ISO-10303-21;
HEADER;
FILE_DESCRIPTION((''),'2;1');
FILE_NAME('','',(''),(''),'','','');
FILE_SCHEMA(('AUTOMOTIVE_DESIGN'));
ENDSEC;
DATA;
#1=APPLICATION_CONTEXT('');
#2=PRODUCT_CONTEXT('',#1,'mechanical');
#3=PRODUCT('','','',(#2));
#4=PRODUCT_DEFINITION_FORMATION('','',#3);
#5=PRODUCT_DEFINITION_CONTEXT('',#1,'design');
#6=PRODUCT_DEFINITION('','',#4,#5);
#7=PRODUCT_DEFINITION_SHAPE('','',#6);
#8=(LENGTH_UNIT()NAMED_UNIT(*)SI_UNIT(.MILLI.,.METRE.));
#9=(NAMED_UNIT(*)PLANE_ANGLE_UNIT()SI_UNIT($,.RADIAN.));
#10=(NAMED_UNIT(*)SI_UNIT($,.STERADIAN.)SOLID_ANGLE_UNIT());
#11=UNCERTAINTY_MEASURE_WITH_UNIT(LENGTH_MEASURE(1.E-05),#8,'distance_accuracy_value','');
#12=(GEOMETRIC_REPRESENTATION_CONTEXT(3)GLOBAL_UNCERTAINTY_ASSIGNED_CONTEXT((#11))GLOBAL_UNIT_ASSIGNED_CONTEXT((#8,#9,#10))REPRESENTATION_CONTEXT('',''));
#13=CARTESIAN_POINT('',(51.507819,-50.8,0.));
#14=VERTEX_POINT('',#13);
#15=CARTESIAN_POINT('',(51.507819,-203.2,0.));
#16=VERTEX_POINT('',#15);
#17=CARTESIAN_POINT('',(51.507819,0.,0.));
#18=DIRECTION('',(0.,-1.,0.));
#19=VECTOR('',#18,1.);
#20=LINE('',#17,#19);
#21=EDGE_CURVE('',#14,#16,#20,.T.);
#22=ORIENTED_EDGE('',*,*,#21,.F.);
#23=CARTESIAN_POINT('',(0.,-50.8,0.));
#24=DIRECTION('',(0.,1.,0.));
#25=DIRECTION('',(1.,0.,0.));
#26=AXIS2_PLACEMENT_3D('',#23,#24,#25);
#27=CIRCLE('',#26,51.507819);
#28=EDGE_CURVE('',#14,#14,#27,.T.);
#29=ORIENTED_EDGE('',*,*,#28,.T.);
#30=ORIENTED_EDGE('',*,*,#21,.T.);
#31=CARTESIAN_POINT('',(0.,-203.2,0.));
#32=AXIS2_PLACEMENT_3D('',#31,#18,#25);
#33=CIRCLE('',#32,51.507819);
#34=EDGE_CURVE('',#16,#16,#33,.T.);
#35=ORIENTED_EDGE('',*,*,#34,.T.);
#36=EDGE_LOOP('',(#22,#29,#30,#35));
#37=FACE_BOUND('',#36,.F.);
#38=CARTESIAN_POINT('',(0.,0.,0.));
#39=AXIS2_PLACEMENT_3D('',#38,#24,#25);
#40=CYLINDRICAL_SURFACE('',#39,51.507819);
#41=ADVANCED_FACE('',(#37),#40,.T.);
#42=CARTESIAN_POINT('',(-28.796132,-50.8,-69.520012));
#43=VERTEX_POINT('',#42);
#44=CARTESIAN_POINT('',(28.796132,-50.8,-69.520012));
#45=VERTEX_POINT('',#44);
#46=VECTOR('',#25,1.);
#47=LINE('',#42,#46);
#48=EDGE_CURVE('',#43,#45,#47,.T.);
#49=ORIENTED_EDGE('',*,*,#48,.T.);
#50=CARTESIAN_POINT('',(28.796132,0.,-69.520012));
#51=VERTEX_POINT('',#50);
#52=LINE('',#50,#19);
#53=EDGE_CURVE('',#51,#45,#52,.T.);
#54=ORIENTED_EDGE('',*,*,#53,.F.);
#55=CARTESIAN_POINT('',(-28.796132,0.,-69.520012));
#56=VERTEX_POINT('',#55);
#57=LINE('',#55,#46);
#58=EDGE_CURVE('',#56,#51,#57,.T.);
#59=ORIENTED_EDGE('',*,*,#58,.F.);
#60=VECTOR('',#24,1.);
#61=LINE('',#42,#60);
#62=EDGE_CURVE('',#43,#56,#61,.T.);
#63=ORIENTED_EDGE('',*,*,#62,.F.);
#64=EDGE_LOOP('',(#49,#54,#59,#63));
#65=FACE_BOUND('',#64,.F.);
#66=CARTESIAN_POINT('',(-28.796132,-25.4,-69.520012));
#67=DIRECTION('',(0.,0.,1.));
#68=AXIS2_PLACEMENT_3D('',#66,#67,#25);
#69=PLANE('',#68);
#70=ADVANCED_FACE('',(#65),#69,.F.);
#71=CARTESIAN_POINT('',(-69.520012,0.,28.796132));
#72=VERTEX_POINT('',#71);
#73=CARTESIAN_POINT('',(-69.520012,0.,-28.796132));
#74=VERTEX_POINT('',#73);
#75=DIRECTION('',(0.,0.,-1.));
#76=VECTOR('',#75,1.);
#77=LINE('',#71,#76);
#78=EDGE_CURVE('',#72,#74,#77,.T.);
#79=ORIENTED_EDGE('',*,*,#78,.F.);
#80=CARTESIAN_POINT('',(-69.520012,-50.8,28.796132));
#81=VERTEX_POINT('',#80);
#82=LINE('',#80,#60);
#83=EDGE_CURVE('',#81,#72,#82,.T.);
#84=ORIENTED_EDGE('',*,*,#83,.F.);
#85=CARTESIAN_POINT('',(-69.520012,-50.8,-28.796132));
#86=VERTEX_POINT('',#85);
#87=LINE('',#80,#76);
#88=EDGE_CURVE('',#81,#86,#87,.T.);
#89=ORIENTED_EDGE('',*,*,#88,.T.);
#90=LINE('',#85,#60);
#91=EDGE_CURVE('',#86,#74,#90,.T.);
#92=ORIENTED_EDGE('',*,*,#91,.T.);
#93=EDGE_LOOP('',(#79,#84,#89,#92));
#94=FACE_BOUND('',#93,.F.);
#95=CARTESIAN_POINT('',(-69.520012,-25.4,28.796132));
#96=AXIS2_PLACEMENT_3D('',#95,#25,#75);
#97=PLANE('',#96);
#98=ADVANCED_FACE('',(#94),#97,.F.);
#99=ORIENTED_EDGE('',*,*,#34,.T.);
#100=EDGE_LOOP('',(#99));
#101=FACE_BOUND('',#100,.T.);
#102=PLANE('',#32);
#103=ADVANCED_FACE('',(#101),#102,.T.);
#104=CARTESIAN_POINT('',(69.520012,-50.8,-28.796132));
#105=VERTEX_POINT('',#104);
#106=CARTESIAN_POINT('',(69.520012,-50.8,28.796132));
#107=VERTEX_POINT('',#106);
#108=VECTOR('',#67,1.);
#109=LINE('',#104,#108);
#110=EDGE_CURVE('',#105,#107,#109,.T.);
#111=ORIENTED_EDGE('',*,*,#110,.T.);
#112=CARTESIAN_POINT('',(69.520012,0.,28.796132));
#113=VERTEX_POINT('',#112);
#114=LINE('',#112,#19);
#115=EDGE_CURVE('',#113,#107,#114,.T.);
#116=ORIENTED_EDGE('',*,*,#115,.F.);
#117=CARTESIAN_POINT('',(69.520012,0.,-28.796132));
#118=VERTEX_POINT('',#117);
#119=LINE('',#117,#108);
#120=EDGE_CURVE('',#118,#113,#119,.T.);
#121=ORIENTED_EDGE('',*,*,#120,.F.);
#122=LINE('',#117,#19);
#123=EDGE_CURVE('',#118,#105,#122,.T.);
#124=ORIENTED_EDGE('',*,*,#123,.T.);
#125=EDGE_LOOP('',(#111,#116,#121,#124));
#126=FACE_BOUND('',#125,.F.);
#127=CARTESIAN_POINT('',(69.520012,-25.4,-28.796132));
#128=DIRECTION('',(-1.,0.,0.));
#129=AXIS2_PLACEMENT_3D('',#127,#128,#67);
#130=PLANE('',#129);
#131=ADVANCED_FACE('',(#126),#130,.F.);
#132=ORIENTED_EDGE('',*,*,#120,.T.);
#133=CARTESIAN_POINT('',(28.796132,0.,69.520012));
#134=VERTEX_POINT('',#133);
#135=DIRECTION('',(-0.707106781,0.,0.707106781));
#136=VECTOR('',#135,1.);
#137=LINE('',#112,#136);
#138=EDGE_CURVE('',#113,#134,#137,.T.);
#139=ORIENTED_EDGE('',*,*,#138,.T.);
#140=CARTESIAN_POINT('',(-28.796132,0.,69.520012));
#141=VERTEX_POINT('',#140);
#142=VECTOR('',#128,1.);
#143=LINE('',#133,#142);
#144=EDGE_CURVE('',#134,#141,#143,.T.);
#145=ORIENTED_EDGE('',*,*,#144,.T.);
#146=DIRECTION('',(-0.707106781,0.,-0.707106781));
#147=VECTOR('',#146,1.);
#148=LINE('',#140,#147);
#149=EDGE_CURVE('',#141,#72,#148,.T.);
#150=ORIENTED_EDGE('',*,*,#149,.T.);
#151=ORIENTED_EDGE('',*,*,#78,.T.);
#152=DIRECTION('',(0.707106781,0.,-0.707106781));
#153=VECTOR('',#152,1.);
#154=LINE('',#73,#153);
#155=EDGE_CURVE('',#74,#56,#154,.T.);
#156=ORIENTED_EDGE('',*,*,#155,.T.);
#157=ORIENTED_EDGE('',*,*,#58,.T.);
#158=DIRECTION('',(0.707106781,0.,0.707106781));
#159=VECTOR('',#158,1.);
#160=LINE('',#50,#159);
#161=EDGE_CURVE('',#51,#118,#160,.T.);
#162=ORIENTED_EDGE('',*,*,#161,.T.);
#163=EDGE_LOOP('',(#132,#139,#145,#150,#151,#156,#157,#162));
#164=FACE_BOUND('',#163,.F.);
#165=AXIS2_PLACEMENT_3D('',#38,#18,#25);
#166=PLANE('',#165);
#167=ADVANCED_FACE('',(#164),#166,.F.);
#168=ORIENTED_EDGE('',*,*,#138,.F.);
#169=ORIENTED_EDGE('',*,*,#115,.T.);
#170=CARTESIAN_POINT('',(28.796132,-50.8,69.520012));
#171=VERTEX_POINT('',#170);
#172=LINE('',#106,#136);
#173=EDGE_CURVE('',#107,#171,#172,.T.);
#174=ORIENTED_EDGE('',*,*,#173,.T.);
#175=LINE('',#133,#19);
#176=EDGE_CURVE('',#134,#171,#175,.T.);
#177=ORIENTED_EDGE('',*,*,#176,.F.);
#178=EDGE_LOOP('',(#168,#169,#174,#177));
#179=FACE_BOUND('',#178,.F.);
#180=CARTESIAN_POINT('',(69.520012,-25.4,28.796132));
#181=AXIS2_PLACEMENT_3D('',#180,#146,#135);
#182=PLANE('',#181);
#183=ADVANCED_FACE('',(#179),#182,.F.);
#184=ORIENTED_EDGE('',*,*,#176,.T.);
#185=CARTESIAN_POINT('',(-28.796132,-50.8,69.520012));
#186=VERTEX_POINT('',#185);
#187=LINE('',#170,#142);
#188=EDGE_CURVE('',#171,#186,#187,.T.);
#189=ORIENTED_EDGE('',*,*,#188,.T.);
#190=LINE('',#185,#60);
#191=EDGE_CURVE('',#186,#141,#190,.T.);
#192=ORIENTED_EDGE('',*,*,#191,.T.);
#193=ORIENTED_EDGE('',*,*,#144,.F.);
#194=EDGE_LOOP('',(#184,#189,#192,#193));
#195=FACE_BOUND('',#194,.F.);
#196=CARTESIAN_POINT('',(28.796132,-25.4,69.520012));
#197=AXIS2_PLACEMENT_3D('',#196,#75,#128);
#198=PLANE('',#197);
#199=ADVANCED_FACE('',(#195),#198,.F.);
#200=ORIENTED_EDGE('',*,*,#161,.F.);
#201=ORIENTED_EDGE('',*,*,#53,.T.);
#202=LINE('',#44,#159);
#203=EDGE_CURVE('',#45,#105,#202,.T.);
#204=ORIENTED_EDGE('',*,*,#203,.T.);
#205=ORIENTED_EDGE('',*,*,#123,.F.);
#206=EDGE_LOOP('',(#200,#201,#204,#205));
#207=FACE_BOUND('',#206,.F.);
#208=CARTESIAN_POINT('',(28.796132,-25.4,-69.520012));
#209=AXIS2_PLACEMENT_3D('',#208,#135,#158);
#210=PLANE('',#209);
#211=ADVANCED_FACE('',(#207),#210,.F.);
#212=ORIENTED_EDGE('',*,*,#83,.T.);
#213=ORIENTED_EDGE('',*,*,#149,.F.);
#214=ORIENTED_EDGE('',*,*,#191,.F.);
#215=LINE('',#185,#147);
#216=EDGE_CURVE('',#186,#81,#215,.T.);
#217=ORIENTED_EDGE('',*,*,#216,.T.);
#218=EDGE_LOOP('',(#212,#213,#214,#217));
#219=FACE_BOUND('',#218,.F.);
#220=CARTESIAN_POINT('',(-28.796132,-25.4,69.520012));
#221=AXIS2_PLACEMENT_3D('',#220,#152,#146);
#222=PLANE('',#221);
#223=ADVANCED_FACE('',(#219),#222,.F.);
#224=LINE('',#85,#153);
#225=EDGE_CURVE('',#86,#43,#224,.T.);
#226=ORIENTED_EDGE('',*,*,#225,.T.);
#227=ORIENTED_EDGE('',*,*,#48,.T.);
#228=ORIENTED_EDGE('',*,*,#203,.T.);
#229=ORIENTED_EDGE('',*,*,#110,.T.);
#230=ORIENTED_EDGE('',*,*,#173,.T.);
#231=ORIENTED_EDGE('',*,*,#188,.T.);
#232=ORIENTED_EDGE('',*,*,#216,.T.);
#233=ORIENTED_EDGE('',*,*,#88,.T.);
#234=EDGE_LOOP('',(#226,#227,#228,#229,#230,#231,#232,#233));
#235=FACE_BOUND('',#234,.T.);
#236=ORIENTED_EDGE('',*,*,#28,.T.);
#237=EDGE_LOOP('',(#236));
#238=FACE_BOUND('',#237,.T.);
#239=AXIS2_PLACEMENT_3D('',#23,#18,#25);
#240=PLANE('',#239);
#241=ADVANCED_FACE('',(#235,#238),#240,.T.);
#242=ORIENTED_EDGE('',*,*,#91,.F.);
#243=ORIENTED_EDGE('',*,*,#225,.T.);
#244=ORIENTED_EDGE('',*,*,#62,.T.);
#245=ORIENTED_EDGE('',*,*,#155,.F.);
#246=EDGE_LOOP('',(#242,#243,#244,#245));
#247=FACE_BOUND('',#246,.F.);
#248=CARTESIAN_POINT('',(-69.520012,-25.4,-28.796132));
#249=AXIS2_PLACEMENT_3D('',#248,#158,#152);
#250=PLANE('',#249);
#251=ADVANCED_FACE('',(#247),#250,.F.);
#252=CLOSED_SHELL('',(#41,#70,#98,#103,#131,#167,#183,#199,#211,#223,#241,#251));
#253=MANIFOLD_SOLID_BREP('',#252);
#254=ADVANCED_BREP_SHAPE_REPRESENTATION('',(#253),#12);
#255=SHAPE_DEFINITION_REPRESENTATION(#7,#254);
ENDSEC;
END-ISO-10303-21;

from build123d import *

# Parameters (mm, degrees)
F1_DEPTH = 25.4
F2_R     = 51.507819
F3_DEPTH = 203.2
F5_DEPTH = 25.4


with BuildPart() as f1:
    # F0 (on Front) → F1 (new body)
    with BuildSketch(Plane.XZ):
        Polygon((-28.796132, -69.520012), (28.796132, -69.520012), (69.520012, -28.796132), (69.520012, 28.796132), (28.796132, 69.520012), (-28.796132, 69.520012), (-69.520012, 28.796132), (-69.520012, -28.796132), align=None)
    extrude(amount=F1_DEPTH)

    # F2 (on Front) → F3 (join)
    with BuildSketch(Plane.XZ):
        Circle(F2_R)
    extrude(amount=F3_DEPTH)

    # F4 (on face) → F5 (join)
    with BuildSketch(Plane.XZ.offset(25.4)):
        Polygon((-28.796132, -69.520012), (28.796132, -69.520012), (69.520012, -28.796132), (69.520012, 28.796132), (28.796132, 69.520012), (-28.796132, 69.520012), (-69.520012, 28.796132), (-69.520012, -28.796132), align=None)
    extrude(amount=F5_DEPTH)


solid = f1.part
